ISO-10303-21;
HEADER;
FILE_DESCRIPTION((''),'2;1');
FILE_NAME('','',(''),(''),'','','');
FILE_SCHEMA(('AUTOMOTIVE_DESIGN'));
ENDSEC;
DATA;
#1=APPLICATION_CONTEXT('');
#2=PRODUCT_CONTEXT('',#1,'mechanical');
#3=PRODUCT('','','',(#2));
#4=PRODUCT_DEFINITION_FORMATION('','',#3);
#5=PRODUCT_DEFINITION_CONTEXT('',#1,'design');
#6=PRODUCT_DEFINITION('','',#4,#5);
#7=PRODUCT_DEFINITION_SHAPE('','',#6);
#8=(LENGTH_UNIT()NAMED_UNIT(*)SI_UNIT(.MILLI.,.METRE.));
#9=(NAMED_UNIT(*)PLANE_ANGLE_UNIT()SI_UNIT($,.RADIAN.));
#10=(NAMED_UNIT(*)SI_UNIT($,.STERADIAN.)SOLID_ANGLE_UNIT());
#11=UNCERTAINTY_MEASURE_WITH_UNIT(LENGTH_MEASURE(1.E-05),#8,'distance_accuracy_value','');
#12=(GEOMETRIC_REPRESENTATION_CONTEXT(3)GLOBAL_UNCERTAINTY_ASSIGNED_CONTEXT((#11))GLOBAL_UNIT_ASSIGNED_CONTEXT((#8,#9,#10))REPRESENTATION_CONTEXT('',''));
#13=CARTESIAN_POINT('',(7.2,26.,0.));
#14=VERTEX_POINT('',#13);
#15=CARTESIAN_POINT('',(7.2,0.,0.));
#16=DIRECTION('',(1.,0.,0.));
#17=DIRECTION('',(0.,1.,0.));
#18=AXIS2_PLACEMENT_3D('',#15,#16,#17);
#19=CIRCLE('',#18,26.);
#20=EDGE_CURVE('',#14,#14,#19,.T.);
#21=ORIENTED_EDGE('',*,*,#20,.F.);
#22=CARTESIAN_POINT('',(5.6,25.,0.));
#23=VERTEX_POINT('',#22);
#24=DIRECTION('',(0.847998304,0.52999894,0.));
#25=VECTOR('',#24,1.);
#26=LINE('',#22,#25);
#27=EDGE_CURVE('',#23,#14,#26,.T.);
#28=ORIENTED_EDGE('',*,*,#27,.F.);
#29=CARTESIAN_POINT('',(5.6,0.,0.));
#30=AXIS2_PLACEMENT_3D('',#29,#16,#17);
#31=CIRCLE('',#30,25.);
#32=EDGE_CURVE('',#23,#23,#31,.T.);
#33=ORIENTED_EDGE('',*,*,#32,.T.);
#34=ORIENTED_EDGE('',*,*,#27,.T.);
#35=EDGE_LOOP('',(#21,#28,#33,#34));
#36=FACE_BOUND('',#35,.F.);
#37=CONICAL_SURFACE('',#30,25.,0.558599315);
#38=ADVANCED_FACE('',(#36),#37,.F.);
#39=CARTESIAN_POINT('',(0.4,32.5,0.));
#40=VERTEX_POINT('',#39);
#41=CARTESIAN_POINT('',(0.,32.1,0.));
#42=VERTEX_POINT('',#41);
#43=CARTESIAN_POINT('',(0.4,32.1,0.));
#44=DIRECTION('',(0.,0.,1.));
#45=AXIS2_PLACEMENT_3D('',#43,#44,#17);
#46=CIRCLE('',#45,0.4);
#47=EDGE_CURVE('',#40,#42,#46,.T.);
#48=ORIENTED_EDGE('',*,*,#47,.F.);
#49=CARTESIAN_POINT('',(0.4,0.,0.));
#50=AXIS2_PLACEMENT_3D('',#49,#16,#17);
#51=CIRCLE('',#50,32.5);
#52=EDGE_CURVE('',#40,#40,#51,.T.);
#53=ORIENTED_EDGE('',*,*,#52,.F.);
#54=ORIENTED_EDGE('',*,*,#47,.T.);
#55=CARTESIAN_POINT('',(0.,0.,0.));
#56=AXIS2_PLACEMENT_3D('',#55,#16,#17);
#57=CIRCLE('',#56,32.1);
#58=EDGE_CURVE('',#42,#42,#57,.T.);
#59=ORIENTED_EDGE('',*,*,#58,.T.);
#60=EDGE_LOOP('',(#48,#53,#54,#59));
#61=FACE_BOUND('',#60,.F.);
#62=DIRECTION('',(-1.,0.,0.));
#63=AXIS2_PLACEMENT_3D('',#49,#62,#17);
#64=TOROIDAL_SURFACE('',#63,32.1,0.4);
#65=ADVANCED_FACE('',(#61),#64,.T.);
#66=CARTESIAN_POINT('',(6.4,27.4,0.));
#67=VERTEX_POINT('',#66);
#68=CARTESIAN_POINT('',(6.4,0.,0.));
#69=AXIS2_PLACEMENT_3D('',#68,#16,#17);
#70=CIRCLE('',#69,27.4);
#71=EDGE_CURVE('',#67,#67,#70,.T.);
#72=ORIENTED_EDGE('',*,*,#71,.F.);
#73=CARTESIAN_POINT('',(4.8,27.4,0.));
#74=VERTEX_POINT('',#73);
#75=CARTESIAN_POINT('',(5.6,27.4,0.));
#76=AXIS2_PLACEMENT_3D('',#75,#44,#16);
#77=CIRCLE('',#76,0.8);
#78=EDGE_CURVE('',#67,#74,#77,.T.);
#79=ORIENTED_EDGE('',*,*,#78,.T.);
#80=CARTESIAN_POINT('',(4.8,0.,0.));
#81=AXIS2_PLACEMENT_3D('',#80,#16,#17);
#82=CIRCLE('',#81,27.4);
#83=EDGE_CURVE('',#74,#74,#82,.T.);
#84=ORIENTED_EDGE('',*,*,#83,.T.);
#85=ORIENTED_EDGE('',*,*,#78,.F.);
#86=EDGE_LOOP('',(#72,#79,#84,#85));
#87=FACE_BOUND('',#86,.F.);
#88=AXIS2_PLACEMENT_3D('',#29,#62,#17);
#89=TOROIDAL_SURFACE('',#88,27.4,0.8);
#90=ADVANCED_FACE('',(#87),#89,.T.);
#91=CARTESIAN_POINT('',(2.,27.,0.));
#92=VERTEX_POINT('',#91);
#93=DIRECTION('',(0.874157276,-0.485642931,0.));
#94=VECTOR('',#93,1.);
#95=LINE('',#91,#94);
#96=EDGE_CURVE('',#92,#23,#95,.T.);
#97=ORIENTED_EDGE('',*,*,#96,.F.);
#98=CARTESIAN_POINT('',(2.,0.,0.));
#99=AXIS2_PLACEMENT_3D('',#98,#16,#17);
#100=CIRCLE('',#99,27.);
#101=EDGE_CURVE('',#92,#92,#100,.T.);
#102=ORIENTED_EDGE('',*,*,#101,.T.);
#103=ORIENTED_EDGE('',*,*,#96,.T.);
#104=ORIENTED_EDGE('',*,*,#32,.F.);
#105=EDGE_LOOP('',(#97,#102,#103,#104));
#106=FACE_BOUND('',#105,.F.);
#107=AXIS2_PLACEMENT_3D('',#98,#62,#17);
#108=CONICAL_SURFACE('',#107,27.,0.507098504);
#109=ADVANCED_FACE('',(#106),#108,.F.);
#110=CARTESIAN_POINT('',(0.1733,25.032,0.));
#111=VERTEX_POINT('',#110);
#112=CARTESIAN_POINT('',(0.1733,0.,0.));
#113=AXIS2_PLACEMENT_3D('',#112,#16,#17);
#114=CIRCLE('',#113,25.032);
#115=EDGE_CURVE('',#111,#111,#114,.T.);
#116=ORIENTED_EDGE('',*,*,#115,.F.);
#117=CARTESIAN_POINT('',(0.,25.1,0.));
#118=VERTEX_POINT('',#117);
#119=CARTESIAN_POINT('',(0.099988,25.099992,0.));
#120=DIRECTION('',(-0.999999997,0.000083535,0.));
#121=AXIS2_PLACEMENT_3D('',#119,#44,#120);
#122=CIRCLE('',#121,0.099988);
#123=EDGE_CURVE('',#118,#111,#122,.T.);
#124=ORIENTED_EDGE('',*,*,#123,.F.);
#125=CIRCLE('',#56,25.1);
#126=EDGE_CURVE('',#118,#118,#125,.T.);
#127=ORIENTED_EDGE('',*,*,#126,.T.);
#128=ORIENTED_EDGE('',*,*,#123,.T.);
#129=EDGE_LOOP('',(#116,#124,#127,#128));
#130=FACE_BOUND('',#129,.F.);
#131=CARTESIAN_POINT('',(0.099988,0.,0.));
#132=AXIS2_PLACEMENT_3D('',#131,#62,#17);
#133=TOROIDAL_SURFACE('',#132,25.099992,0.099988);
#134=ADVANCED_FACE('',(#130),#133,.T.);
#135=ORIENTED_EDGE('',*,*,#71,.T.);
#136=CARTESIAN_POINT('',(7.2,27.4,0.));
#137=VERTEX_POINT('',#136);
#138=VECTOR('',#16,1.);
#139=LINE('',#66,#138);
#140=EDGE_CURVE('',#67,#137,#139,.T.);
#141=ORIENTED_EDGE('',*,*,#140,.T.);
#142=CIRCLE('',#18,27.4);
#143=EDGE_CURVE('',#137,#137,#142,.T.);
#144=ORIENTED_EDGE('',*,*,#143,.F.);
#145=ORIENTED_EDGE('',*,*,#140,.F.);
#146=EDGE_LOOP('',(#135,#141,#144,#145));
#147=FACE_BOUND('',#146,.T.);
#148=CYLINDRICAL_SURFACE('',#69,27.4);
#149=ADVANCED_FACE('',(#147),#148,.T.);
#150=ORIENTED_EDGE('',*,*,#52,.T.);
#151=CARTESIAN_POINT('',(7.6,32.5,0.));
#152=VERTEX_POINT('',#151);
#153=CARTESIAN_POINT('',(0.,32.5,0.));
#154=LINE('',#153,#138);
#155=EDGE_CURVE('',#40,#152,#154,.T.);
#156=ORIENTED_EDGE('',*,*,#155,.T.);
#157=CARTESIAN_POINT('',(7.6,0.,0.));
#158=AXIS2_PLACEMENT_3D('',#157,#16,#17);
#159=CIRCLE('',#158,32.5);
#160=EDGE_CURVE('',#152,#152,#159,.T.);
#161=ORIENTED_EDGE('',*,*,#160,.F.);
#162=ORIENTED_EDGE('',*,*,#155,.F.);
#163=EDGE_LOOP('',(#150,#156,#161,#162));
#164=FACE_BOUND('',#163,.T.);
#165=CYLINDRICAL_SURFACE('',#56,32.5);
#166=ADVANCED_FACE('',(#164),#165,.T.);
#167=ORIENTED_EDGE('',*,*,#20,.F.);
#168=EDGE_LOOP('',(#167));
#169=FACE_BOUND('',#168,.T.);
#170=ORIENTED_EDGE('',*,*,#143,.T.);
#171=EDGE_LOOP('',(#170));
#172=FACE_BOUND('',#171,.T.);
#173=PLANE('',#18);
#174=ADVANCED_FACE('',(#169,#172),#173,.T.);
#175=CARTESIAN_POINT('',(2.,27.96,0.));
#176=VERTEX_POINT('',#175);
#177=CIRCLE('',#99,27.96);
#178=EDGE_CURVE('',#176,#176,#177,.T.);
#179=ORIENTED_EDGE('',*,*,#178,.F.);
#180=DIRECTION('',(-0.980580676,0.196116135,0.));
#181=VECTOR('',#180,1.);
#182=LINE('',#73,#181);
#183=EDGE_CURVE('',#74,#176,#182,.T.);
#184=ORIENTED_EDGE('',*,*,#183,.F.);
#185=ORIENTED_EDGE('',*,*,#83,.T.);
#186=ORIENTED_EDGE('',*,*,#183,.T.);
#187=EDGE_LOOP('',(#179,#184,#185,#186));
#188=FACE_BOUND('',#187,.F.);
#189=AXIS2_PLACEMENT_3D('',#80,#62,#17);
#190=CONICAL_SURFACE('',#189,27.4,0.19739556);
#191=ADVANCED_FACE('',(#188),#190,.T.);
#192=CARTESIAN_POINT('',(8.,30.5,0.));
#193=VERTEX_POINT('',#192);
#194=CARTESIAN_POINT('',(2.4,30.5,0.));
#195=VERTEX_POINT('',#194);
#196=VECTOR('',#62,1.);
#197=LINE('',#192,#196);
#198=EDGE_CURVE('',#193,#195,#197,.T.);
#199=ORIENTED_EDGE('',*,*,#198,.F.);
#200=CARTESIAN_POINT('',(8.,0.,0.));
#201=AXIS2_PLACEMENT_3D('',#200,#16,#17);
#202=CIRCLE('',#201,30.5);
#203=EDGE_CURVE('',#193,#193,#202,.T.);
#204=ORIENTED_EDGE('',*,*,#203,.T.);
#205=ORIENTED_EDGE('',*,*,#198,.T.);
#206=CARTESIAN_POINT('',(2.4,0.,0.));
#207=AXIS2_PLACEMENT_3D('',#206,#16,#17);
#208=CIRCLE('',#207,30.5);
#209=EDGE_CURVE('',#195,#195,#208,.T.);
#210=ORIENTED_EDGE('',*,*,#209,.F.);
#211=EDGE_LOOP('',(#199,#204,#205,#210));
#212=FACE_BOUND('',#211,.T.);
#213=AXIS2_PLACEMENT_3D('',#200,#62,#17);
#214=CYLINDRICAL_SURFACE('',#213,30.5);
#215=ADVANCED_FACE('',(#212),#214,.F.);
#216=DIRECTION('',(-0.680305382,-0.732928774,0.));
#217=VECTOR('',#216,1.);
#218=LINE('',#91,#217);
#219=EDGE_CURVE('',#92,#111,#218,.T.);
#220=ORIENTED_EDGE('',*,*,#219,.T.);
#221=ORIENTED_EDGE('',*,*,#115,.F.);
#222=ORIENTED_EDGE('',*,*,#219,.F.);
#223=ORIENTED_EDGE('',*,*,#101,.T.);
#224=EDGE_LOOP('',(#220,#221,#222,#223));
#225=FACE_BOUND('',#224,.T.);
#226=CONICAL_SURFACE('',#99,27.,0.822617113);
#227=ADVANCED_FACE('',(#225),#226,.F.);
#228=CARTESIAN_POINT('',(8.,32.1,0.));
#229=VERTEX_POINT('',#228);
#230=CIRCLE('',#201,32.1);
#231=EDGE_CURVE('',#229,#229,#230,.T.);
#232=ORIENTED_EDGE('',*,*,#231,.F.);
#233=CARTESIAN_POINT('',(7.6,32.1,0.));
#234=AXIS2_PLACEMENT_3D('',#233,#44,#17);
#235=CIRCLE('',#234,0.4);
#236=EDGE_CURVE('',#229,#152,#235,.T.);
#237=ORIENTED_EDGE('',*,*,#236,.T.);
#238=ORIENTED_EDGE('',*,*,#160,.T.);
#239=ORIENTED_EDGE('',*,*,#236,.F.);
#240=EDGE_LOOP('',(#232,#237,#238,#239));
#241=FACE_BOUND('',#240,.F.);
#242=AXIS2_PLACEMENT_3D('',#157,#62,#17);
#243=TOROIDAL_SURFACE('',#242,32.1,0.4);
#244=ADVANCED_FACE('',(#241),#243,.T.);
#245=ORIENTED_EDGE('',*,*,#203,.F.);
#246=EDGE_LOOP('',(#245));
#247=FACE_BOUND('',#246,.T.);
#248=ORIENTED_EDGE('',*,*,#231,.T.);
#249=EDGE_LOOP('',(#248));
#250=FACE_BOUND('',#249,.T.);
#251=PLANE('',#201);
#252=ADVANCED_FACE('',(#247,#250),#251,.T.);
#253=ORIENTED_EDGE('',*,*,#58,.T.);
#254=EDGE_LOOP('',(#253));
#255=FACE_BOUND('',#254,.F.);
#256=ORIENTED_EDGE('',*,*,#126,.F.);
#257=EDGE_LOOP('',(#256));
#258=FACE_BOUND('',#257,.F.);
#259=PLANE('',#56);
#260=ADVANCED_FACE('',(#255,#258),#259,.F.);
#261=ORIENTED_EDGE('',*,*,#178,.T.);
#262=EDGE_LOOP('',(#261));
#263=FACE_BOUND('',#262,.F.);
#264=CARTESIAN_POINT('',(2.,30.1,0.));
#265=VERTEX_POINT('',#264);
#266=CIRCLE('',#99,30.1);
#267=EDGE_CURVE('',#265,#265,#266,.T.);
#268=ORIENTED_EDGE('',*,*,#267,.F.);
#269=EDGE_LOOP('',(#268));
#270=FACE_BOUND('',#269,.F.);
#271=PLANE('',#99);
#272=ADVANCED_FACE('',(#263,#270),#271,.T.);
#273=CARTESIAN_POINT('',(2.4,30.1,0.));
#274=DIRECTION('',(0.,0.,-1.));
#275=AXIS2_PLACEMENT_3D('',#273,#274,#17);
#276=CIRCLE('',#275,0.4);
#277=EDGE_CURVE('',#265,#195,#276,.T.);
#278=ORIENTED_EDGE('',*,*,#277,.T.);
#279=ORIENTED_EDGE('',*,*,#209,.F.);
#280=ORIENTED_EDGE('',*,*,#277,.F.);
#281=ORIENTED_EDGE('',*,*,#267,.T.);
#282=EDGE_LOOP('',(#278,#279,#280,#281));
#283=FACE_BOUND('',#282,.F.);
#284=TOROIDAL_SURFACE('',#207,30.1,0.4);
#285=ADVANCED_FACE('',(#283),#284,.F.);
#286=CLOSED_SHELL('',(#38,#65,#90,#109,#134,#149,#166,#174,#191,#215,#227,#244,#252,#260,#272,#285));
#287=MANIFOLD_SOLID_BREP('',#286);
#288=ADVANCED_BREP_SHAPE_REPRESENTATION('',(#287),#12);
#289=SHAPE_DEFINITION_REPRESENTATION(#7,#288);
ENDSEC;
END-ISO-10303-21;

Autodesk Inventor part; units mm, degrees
ref_plane "YZ Plane" through (0, 0, 0) normal (1, 0, 0) x (0, 1, 0)
ref_plane "XZ Plane" through (0, 0, 0) normal (0, 1, 0) x (-1, 0, 0)
ref_plane "XY Plane" through (0, 0, 0) normal (0, 0, 1) x (1, 0, 0)
sketch "Эскиз1" plane through (0, 0, 0) normal (0, 0, 1) x (1, 0, 0)
  circle A0 centre (5.6, 27.4) radius 0.52
  circle A1 centre (5.6, 27.4) radius 0.8
  line L0 (0, 32.5) -> (8, 32.5)
  line L1 (8, 30.5) -> (2, 30.5)
  line L2 (0, 0) -> (9.5856, 0)
  line L3 (2, 27) -> (5.6, 25)
  line L4 (5.6, 25) -> (7.2, 26)
  line L5 (5.6, 25) -> (0, 25) construction
  line L6 (0, 18) -> (0, -3) projected
  line L7 (-1.9415, 0) -> (11.5068, 0) projected
  line L8 (4.8, 27.4) -> (2, 27.96)
  line L9 (2, 27.96) -> (2, 30.5)
  line L10 (0, 32.5) -> (0, 25.1)
  line L11 (5.6, 25) -> (0, 25)
  line L12 (2, 27) -> (0.1733, 25.032)
  arc A2 (0, 25.1) -> (0.1733, 25.032) centre (0.1, 25.1) ccw
  line L13 (8, 32.5) -> (8, 30.5)
  line L14 (6.4, 27.4) -> (7.2, 27.4)
  line L15 (7.2, 27.4) -> (7.2, 26)
  point P0 (0, 24.8453)
  dimension "d0" = 65
  dimension "d1" = 2
  dimension "d2" = 1.04
  dimension "d3" = 1.6
  dimension "d4" = 50
  dimension "d5" = 54
  dimension "d7" = 55.92
  dimension "d8" = 2
  dimension "d9" = 5.6
  dimension "d10" = 54.8
  dimension "d11" = 0.1
  dimension "d12" = 7.2
  dimension "d13" = 52
  dimension "d14" = 8
revolve "Базовый элемент" add sketch "Эскиз1" angle 360 about axis through (0, 0, 0) along (1, 0, 0) contours L14 L15 L4 L3 L12 A2 L10 L0 L13 L1 L9 L8 A1
revolve "Пружинные1" add sketch "Эскиз1" angle 360 about axis through (0, 0, 0) along (1, 0, 0) contours A0 | A1
fillet "Сопряжение1" radius 0.4 3 edges at (8, -32.5, 0) (2, -30.5, 0) (0, -32.5, 0)
equation "\"d0\" = SD2"
equation "\"d1\" = SD"
equation "\"d2\" = SPDI"
equation "\"d3\" = SPDA"
equation "\"d4\" = NND"
equation "\"d5\" = TKDM"
equation "\"d7\" = TKDM + 0.24 * SWDT"
equation "\"d8\" = SD"
equation "\"d9\" = SPDST"
equation "\"d10\" = HLDM"
equation "\"d11\" = 0.25 * LAB"
equation "\"d12\" = SDI"
equation "\"d13\" = ABDM"
equation "\"d14\" = SWDT"
equation "\"d6\" = RR"
equation "\"SD2\" = 65"
equation "\"SWDT\" = 8"
equation "\"RR\" = 0.4"
equation "\"SD\" = 2"
equation "\"NND\" = 50"
equation "\"SPDA\" = 1.6"
equation "\"SPDI\" = 1.04"
equation "\"TKDM\" = 54"
equation "\"HLDM\" = 54.8"
equation "\"ABDM\" = 52"
equation "\"SDI\" = 7.2"
equation "\"SPDST\" = 5.6"
equation "\"LAB\" = 0.4"
properties part number "Манжет 2-50x65x8 ГОСТ 8752-79" material "Резина"
